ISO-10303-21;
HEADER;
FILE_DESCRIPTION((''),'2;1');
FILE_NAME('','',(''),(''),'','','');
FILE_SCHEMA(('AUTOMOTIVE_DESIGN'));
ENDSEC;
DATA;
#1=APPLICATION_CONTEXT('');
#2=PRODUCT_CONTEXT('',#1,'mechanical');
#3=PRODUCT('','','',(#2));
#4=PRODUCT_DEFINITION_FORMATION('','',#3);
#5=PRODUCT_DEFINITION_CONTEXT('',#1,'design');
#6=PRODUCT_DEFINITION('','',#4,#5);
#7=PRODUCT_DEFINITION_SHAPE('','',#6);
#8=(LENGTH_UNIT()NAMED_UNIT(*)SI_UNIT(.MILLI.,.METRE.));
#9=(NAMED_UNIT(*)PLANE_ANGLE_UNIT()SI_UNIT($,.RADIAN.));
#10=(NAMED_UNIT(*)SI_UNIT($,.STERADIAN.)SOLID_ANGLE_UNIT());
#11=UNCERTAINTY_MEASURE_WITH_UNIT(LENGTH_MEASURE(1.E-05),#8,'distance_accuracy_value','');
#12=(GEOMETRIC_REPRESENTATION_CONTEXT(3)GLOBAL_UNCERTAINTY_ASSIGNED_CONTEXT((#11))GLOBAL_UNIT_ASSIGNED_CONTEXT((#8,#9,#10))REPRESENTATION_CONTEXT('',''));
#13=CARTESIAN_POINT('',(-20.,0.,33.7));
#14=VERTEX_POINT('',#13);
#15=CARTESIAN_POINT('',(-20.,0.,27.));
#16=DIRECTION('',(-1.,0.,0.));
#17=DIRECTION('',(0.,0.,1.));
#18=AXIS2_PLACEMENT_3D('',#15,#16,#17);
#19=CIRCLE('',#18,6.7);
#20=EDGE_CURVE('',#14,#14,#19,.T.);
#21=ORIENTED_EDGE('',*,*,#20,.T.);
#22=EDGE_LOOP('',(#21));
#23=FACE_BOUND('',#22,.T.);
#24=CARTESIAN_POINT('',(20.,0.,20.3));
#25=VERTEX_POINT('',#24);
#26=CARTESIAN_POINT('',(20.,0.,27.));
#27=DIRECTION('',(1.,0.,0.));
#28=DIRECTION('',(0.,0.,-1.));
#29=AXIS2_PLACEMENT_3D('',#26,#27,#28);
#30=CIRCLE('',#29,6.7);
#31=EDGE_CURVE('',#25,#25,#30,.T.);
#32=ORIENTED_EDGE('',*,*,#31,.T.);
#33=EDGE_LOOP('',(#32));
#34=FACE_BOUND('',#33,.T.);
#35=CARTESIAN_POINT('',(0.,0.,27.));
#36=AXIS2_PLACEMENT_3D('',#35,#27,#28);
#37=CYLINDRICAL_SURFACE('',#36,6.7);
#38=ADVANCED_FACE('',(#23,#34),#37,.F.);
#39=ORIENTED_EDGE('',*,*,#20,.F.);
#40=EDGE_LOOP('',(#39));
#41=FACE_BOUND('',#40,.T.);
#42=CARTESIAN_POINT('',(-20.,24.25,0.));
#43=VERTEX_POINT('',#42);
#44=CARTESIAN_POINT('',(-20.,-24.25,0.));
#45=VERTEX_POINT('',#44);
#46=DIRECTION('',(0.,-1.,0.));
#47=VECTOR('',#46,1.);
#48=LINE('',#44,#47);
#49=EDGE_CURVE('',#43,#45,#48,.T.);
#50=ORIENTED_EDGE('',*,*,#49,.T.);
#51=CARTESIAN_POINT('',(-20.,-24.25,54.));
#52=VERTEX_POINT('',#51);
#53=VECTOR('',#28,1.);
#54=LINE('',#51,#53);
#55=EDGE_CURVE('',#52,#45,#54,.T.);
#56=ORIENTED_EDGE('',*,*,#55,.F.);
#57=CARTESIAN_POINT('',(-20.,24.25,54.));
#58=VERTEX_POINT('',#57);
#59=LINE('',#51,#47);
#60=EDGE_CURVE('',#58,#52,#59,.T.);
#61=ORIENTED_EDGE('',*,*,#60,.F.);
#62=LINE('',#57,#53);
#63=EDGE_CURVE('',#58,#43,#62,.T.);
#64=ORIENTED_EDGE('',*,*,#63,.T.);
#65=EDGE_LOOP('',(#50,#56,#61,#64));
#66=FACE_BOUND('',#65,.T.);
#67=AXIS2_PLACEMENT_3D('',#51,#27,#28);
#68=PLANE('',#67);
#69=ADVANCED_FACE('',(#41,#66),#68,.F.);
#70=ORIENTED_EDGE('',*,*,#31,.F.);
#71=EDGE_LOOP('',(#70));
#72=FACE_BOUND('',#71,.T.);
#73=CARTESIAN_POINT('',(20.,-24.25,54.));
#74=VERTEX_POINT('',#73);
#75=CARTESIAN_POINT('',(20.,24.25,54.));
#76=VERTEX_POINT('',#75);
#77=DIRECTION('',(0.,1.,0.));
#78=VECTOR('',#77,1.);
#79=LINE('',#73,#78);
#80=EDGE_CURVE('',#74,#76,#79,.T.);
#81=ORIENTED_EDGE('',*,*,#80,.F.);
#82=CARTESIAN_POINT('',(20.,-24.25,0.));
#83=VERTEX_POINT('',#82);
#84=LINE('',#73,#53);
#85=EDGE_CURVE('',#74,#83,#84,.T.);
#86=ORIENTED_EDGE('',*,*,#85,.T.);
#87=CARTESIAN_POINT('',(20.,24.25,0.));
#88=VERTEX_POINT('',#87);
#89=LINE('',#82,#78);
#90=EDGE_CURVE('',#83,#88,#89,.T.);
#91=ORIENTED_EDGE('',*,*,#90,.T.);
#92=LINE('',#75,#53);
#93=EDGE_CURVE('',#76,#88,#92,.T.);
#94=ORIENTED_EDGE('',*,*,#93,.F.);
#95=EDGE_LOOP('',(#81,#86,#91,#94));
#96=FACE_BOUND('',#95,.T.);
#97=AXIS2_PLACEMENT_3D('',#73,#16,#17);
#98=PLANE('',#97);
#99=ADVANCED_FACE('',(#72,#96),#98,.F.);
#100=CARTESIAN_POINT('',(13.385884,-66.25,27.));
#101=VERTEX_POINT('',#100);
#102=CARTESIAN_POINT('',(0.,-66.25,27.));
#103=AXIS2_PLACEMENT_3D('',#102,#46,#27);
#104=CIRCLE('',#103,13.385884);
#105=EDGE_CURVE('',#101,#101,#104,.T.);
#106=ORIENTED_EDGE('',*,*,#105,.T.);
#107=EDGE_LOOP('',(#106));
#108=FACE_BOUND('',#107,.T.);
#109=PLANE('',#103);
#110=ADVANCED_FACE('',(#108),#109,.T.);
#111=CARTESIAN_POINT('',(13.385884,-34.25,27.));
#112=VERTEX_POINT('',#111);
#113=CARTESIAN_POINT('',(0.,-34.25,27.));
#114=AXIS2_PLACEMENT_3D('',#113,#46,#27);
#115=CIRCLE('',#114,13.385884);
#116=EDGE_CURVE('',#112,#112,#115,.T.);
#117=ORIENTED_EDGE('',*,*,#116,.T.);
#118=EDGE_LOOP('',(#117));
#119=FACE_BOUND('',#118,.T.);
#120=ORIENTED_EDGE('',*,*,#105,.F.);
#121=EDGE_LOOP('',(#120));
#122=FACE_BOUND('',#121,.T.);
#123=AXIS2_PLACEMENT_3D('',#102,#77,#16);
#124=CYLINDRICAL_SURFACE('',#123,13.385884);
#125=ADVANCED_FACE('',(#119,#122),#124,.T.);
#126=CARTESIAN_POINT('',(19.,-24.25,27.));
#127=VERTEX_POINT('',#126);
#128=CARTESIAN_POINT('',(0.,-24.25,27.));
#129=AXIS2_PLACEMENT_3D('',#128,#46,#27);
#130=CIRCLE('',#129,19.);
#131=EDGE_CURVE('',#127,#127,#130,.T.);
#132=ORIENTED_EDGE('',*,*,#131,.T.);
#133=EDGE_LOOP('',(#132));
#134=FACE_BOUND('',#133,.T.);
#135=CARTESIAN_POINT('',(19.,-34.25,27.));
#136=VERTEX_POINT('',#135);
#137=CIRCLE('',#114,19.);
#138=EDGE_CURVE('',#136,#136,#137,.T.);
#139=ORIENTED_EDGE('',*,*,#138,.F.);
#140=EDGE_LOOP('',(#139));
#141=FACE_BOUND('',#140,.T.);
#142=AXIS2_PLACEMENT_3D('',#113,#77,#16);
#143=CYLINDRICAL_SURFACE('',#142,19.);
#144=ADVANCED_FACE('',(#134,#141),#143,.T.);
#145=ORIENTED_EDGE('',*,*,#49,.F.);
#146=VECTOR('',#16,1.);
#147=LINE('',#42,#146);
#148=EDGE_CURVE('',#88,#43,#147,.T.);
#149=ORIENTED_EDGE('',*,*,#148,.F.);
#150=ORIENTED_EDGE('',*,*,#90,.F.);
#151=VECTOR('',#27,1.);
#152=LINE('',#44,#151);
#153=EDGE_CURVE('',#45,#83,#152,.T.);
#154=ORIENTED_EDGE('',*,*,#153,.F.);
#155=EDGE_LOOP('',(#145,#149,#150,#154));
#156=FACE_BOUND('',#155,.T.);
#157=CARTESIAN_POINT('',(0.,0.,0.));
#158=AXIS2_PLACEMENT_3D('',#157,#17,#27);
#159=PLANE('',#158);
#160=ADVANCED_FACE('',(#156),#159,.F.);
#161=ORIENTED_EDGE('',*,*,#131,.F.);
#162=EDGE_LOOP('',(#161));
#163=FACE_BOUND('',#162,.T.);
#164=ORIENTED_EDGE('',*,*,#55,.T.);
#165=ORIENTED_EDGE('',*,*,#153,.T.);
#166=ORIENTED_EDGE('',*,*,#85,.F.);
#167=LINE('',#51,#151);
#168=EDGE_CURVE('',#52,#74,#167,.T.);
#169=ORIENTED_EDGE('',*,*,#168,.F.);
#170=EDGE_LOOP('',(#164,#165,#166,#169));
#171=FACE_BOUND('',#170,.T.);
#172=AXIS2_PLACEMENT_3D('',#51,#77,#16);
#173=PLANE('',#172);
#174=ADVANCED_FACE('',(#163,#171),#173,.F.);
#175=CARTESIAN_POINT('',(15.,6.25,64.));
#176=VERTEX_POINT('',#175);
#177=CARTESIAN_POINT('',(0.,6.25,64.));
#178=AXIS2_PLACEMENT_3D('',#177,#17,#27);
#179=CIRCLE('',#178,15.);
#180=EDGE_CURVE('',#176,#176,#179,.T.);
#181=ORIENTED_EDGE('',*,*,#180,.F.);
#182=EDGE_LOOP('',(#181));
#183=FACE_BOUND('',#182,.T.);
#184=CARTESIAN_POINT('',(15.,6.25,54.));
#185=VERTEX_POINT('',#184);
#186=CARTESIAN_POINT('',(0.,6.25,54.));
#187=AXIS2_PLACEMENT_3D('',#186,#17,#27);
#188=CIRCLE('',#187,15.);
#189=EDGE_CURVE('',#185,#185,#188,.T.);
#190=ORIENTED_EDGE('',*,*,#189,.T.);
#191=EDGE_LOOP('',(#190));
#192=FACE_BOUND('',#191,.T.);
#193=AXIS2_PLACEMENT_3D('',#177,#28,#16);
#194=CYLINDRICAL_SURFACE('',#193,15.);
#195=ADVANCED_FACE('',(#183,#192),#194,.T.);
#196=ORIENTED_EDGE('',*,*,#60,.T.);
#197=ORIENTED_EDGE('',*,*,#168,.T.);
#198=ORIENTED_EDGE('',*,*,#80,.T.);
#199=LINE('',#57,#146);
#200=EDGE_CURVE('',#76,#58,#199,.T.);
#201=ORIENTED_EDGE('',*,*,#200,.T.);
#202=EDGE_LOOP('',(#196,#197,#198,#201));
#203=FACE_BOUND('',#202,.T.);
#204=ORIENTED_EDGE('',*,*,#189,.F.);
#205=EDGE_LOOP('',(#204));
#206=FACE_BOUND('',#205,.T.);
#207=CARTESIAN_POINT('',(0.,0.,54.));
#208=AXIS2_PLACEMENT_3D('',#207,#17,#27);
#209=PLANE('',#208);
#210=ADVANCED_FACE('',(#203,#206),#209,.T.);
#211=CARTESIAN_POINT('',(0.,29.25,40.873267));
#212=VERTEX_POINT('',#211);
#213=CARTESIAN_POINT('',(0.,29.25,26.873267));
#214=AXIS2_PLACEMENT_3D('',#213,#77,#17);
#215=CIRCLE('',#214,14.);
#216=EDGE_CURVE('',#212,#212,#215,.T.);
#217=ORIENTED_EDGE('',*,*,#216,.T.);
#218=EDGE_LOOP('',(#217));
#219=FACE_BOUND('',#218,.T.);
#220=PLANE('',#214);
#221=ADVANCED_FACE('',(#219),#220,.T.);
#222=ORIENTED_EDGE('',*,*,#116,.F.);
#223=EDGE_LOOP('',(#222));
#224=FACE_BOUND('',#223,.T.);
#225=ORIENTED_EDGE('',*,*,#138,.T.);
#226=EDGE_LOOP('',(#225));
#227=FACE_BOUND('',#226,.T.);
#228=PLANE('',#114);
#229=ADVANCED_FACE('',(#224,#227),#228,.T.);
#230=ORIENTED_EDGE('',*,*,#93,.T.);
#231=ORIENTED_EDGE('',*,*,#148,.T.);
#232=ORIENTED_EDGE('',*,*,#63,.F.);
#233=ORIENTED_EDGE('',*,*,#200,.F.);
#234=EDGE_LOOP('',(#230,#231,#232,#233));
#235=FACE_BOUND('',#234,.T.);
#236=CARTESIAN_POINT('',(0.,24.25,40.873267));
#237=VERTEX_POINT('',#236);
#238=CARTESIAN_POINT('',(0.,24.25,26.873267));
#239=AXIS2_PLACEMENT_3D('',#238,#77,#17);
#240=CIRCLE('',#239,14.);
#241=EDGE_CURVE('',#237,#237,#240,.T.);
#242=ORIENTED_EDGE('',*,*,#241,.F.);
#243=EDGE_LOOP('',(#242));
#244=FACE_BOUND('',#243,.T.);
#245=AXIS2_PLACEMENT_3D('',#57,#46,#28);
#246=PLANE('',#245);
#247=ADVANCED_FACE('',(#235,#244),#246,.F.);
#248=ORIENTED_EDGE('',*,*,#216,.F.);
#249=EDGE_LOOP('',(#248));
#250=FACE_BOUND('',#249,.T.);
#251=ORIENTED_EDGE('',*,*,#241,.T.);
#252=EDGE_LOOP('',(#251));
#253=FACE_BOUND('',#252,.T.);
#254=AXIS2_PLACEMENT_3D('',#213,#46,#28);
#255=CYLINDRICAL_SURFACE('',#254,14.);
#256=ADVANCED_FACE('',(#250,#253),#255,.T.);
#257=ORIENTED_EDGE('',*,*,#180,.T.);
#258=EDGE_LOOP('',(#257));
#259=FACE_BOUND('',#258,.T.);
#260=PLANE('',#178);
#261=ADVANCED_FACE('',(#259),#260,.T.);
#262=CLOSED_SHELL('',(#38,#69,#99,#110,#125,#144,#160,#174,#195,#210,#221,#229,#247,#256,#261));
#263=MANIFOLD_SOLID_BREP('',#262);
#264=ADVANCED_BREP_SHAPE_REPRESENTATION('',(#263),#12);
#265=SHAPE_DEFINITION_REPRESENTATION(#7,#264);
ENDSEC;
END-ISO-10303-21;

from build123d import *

# Parameters (mm, degrees)
SKETCH1_W           = 48.5
SKETCH1_H           = 40
BOSS_EXTRUDE1_DEPTH = 54
SKETCH2_R           = 15
BOSS_EXTRUDE2_DEPTH = 10
SKETCH3_R           = 14
BOSS_EXTRUDE3_DEPTH = 5
SKETCH4_R           = 19
BOSS_EXTRUDE4_DEPTH = 10
SKETCH5_R           = 13.38588386
BOSS_EXTRUDE5_DEPTH = 32
SKETCH6_R           = 6.7
CUT_EXTRUDE1_DEPTH  = 20
SKETCH7_R           = 6.7
CUT_EXTRUDE2_DEPTH  = 20


with BuildPart() as part:
    # Sketch1 → Boss-Extrude1 (new body)
    with BuildSketch(Plane(origin=(0, 0, 0), x_dir=(0, 1, 0), z_dir=(0, 0, 1))):
        Rectangle(SKETCH1_W, SKETCH1_H)
    extrude(amount=BOSS_EXTRUDE1_DEPTH)

    # Sketch2 → Boss-Extrude2 (add)
    with BuildSketch(Plane.XY.offset(54)):
        with Locations((0, 6.25)):
            Circle(SKETCH2_R)
    extrude(amount=BOSS_EXTRUDE2_DEPTH)

    # Sketch3 → Boss-Extrude3 (add)
    with BuildSketch(Plane(origin=(0, 24.25, 0), x_dir=(-1, 0, 0), z_dir=(0, 1, 0))):
        with Locations((0, 26.873266577)):
            Circle(SKETCH3_R)
    extrude(amount=BOSS_EXTRUDE3_DEPTH)

    # Sketch4 → Boss-Extrude4 (add)
    with BuildSketch(Plane.XZ.offset(24.25)):
        with Locations((0, 27)):
            Circle(SKETCH4_R)
    extrude(amount=BOSS_EXTRUDE4_DEPTH)

    # Sketch5 → Boss-Extrude5 (add)
    with BuildSketch(Plane.XZ.offset(34.25)):
        with Locations((0, 27)):
            Circle(SKETCH5_R)
    extrude(amount=BOSS_EXTRUDE5_DEPTH)

    # Sketch6 → Cut-Extrude1 (cut)
    with BuildSketch(Plane.YZ.offset(20)):
        with Locations((0, 27)):
            Circle(SKETCH6_R)
    extrude(amount=-CUT_EXTRUDE1_DEPTH, mode=Mode.SUBTRACT)

    # Sketch7 → Cut-Extrude2 (cut)
    with BuildSketch(Plane(origin=(-20, 0, 0), x_dir=(0, -1, 0), z_dir=(-1, 0, 0))):
        with Locations((0, 27)):
            Circle(SKETCH7_R)
    extrude(amount=-CUT_EXTRUDE2_DEPTH, mode=Mode.SUBTRACT)


solid = part.part
